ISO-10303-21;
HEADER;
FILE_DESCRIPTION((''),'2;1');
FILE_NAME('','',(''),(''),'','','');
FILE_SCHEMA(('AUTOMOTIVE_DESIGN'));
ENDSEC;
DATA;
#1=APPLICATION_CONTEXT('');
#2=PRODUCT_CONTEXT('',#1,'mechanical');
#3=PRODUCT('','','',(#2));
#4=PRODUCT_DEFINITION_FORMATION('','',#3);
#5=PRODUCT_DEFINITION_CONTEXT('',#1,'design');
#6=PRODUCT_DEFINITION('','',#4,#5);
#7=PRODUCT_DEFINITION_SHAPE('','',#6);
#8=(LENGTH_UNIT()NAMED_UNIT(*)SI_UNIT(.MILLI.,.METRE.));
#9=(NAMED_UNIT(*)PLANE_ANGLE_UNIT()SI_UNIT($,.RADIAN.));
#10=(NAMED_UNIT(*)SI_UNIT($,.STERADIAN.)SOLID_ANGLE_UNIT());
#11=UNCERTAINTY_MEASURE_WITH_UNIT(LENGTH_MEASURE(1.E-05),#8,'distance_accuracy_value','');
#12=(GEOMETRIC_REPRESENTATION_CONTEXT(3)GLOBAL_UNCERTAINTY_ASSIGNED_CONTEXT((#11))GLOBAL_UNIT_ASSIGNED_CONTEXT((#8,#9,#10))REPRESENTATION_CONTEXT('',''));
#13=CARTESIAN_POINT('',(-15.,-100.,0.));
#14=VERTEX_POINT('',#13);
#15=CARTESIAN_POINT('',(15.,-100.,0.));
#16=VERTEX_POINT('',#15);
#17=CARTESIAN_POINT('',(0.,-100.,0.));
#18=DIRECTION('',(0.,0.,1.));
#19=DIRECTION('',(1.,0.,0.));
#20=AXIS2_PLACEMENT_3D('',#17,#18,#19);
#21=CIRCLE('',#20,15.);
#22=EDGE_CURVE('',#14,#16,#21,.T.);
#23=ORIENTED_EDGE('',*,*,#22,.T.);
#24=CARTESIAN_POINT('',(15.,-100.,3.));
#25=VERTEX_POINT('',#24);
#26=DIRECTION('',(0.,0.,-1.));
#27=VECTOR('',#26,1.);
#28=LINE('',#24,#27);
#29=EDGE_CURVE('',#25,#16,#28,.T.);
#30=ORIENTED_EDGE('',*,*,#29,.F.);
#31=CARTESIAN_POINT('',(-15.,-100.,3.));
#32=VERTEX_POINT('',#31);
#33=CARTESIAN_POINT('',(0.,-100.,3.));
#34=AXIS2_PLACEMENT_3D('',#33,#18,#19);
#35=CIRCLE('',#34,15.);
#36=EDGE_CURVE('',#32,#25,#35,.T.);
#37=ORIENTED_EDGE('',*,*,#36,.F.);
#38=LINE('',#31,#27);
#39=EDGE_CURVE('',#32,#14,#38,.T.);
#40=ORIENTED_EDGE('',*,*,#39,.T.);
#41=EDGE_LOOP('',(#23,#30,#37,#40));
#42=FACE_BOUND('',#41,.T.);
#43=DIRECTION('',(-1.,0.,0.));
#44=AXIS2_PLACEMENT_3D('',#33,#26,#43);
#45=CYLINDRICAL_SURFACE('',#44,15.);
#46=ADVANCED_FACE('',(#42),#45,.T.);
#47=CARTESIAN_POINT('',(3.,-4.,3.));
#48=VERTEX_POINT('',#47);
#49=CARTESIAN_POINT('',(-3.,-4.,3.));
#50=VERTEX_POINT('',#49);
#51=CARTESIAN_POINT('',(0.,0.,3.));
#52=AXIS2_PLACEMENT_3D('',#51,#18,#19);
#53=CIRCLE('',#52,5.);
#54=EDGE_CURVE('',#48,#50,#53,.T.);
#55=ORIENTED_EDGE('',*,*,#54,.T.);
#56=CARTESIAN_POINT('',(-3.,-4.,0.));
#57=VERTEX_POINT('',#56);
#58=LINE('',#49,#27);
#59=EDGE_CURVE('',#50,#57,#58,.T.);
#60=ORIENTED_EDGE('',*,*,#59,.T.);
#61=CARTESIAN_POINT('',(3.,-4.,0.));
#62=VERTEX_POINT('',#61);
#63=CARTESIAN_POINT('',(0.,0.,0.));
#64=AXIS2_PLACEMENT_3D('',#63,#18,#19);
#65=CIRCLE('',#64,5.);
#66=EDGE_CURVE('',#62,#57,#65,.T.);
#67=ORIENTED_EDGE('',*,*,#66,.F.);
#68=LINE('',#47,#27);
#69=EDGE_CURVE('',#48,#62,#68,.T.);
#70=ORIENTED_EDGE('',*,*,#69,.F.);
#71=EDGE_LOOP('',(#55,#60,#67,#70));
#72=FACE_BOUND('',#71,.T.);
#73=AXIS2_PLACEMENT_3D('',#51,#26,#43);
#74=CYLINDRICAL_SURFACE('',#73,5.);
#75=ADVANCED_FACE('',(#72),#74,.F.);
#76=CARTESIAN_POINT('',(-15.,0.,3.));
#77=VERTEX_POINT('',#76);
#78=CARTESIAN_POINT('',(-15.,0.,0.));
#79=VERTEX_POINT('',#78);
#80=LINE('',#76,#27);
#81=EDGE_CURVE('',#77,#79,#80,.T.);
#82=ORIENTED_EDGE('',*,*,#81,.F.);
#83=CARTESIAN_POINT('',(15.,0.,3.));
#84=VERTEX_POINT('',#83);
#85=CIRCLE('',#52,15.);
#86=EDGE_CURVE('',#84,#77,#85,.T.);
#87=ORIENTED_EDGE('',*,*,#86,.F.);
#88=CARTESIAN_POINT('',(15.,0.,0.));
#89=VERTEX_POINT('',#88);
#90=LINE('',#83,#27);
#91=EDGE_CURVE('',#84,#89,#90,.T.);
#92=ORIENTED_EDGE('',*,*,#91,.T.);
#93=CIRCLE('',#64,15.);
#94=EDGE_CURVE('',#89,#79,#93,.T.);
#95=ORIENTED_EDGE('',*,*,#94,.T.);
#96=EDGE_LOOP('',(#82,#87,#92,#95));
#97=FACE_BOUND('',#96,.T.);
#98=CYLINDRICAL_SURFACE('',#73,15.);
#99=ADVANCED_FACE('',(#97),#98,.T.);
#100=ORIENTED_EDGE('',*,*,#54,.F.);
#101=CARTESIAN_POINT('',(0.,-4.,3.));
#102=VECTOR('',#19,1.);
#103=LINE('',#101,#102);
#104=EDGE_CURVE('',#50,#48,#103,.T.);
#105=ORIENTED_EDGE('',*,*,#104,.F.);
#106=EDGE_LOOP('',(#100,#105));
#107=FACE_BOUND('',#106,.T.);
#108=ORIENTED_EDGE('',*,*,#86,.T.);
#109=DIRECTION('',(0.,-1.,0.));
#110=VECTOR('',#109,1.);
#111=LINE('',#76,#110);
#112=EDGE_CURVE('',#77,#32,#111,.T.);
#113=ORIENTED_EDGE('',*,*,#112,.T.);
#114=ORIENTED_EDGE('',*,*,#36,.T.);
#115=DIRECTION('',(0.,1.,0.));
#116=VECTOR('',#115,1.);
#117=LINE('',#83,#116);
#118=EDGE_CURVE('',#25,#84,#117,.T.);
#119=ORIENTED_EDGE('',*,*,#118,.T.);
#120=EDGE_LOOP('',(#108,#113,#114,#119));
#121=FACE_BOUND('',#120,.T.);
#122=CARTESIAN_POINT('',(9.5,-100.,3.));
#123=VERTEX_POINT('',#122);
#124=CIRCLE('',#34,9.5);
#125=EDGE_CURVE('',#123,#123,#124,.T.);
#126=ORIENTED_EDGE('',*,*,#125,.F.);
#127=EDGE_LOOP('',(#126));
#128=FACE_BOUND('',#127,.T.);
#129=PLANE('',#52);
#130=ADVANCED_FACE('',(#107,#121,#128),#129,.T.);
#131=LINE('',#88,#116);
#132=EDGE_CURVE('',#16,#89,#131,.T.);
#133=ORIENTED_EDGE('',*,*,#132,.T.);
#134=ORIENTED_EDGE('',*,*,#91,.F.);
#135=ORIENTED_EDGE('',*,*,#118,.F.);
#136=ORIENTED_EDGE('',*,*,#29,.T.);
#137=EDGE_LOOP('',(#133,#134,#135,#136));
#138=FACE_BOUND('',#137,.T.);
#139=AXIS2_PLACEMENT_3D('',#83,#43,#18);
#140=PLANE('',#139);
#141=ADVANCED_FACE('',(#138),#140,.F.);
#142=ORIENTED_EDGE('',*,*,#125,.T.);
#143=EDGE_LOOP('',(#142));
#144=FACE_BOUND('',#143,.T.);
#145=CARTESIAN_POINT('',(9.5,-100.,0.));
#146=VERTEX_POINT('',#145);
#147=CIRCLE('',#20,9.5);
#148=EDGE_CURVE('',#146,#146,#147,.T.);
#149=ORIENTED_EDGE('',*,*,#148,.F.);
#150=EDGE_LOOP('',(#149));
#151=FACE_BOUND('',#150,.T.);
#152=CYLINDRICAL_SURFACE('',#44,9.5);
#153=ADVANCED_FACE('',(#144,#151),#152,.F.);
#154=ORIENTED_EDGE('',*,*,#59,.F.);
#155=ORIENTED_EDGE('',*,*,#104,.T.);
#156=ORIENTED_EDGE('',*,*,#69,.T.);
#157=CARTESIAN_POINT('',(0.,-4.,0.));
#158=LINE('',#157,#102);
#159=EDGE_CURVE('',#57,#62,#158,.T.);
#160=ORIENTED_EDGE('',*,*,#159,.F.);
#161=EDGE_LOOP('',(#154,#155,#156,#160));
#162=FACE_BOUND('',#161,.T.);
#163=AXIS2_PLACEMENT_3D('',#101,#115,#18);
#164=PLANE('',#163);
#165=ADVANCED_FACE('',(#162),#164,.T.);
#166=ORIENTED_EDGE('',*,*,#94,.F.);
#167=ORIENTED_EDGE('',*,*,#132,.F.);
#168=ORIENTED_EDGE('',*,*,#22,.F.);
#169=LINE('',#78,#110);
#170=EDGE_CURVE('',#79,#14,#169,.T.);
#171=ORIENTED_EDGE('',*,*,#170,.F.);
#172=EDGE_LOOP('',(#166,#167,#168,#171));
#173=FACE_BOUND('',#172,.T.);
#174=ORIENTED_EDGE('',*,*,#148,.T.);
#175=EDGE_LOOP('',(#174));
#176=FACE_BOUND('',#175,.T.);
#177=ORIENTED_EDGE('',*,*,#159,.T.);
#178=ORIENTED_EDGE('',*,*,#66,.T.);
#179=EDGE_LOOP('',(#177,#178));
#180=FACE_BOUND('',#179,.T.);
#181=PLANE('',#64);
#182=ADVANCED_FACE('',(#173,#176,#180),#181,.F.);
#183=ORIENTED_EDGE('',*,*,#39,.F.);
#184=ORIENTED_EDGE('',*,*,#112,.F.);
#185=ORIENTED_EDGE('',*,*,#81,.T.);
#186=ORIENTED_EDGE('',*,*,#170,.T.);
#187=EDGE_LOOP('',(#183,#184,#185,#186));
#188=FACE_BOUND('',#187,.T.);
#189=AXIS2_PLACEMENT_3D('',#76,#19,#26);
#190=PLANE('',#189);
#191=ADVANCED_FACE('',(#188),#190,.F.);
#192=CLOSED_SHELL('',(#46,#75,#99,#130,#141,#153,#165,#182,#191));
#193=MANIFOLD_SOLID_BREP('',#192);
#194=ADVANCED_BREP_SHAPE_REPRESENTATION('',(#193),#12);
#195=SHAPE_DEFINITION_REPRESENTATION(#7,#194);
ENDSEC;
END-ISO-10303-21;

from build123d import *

# Parameters (mm, degrees)
SKETCH_1_R      = 9.5
EXTRUDE_1_DEPTH = 3


with BuildPart() as part:
    # 草图1 → 凸台-拉伸1 (new body)
    with BuildSketch(Plane.XY):
        with BuildLine():
            Line((-15, 0), (-15, -100))
            ThreePointArc((-15, -100), (0, -115), (15, -100))
            Line((15, -100), (15, 0))
            ThreePointArc((15, 0), (0, 15), (-15, 0))
        make_face()
        with Locations((0, -100)):
            Circle(SKETCH_1_R, mode=Mode.SUBTRACT)
        with BuildLine():
            Line((0, -4), (3, -4))
            ThreePointArc((3, -4), (0, 5), (-3, -4))
            Line((-3, -4), (0, -4))
        make_face(mode=Mode.SUBTRACT)
    extrude(amount=EXTRUDE_1_DEPTH)


solid = part.part
